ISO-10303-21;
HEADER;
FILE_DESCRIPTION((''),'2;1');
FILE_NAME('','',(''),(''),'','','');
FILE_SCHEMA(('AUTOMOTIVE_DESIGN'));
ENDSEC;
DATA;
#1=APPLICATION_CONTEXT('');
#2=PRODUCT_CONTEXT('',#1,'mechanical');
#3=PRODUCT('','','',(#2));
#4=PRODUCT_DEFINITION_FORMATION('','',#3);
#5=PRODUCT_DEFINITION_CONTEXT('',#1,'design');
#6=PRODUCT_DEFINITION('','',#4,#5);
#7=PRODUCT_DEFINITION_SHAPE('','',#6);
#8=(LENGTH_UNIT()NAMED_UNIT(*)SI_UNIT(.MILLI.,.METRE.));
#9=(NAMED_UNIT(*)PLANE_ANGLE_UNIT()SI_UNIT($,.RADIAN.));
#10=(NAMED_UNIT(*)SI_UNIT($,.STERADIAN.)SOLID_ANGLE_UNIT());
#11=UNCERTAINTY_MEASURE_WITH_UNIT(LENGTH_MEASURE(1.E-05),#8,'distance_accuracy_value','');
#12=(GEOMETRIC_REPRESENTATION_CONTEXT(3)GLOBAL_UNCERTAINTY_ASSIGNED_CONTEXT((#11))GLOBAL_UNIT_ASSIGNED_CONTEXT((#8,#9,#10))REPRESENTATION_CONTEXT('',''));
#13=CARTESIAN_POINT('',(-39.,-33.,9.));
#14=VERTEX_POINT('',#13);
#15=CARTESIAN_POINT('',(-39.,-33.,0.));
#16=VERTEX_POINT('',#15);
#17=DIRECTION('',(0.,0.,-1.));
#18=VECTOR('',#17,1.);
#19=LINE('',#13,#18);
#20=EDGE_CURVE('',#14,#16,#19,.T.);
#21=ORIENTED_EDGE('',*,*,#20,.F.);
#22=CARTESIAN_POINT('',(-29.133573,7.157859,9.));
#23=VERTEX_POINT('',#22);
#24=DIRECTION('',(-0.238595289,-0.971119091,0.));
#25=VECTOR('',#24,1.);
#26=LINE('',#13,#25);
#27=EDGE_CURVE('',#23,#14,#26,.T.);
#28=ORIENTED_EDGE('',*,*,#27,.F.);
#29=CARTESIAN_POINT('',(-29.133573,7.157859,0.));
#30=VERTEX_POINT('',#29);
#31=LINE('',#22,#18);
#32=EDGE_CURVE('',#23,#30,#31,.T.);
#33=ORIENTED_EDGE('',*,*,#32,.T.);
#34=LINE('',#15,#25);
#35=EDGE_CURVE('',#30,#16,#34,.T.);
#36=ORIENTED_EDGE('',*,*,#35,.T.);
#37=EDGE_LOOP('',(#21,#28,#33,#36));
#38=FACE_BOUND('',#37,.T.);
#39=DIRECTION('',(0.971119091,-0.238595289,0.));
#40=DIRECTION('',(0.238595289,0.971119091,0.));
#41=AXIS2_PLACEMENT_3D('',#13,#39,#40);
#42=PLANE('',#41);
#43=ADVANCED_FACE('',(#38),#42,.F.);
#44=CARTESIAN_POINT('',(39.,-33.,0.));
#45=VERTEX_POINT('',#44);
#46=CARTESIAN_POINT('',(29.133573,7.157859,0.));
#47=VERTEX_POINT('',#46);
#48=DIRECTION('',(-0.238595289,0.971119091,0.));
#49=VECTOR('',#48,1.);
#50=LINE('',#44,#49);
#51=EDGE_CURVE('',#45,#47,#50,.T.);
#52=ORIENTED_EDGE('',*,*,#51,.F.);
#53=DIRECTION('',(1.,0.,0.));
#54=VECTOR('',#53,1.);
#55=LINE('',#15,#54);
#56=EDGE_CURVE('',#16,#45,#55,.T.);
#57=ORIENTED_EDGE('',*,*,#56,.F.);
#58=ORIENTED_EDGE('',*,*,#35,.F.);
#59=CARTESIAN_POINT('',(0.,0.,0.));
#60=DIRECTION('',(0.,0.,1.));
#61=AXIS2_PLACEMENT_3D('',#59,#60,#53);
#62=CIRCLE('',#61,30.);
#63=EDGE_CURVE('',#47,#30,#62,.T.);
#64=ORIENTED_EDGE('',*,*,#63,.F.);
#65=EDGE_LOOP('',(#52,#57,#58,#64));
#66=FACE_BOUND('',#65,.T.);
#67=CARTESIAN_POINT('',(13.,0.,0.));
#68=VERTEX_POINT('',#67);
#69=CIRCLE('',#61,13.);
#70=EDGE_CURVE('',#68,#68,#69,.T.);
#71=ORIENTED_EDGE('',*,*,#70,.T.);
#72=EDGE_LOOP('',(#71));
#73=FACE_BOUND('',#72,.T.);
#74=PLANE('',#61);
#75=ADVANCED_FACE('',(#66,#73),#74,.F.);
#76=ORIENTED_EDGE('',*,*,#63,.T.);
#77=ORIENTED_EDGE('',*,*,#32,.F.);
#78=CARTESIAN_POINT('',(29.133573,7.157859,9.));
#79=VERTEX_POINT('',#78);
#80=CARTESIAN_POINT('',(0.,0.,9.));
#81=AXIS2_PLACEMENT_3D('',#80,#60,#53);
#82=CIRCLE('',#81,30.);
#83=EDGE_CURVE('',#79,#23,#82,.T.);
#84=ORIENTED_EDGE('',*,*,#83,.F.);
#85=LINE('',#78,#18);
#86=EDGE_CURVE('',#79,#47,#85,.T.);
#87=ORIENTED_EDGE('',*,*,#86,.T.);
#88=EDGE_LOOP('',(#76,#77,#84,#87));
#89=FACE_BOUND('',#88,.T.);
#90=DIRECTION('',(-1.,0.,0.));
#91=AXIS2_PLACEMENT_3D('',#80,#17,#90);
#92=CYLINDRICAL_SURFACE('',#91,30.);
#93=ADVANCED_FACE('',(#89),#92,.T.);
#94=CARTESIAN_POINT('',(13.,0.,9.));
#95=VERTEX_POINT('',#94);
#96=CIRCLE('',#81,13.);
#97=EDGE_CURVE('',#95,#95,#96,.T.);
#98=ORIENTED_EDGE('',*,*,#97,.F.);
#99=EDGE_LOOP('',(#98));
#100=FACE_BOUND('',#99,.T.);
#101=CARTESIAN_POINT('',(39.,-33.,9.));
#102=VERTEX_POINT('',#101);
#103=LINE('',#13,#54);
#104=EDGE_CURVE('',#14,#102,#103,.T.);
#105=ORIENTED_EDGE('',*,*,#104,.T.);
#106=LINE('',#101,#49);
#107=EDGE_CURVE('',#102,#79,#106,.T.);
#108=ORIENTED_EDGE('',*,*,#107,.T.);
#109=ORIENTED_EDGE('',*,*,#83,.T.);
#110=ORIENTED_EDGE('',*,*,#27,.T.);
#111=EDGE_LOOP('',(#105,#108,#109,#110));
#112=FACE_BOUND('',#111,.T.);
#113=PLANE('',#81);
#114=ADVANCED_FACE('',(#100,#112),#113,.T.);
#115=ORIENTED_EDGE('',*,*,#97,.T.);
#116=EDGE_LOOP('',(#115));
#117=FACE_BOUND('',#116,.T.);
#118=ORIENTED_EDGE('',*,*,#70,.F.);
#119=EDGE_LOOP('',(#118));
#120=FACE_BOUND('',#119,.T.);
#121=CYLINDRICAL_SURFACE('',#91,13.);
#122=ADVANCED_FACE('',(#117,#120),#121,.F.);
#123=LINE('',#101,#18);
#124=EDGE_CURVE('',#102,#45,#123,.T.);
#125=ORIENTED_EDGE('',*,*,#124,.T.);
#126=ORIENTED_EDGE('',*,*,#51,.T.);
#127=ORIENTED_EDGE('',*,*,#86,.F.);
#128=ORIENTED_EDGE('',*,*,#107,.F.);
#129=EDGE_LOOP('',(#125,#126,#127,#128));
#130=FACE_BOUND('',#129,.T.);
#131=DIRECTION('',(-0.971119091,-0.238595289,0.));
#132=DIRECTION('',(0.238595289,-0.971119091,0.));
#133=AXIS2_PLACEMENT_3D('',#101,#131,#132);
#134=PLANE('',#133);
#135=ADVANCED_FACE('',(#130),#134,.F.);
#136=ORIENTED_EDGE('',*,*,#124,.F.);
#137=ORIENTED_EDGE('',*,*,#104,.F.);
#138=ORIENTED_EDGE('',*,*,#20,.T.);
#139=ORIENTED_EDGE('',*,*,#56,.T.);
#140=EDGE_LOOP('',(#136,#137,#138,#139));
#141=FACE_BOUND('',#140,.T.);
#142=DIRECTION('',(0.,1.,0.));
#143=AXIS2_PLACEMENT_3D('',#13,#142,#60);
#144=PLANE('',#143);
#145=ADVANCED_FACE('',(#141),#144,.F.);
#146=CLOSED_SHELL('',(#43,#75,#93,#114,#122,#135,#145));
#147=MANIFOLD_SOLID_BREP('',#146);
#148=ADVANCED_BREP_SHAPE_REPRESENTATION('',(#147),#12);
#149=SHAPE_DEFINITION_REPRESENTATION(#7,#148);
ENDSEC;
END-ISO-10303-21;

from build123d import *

# Parameters (mm, degrees)
SKETCH1_R           = 13
BOSS_EXTRUDE1_DEPTH = 9


with BuildPart() as part:
    # Sketch1 → Boss-Extrude1 (new body)
    with BuildSketch(Plane.XY):
        with BuildLine():
            Line((-39, -33), (39, -33))
            Line((39, -33), (29.133572718, 7.157858667))
            ThreePointArc((29.133572718, 7.157858667), (0, 30), (-29.133572718, 7.157858667))
            Line((-29.133572718, 7.157858667), (-39, -33))
        make_face()
        Circle(SKETCH1_R, mode=Mode.SUBTRACT)
    extrude(amount=BOSS_EXTRUDE1_DEPTH)


solid = part.part
